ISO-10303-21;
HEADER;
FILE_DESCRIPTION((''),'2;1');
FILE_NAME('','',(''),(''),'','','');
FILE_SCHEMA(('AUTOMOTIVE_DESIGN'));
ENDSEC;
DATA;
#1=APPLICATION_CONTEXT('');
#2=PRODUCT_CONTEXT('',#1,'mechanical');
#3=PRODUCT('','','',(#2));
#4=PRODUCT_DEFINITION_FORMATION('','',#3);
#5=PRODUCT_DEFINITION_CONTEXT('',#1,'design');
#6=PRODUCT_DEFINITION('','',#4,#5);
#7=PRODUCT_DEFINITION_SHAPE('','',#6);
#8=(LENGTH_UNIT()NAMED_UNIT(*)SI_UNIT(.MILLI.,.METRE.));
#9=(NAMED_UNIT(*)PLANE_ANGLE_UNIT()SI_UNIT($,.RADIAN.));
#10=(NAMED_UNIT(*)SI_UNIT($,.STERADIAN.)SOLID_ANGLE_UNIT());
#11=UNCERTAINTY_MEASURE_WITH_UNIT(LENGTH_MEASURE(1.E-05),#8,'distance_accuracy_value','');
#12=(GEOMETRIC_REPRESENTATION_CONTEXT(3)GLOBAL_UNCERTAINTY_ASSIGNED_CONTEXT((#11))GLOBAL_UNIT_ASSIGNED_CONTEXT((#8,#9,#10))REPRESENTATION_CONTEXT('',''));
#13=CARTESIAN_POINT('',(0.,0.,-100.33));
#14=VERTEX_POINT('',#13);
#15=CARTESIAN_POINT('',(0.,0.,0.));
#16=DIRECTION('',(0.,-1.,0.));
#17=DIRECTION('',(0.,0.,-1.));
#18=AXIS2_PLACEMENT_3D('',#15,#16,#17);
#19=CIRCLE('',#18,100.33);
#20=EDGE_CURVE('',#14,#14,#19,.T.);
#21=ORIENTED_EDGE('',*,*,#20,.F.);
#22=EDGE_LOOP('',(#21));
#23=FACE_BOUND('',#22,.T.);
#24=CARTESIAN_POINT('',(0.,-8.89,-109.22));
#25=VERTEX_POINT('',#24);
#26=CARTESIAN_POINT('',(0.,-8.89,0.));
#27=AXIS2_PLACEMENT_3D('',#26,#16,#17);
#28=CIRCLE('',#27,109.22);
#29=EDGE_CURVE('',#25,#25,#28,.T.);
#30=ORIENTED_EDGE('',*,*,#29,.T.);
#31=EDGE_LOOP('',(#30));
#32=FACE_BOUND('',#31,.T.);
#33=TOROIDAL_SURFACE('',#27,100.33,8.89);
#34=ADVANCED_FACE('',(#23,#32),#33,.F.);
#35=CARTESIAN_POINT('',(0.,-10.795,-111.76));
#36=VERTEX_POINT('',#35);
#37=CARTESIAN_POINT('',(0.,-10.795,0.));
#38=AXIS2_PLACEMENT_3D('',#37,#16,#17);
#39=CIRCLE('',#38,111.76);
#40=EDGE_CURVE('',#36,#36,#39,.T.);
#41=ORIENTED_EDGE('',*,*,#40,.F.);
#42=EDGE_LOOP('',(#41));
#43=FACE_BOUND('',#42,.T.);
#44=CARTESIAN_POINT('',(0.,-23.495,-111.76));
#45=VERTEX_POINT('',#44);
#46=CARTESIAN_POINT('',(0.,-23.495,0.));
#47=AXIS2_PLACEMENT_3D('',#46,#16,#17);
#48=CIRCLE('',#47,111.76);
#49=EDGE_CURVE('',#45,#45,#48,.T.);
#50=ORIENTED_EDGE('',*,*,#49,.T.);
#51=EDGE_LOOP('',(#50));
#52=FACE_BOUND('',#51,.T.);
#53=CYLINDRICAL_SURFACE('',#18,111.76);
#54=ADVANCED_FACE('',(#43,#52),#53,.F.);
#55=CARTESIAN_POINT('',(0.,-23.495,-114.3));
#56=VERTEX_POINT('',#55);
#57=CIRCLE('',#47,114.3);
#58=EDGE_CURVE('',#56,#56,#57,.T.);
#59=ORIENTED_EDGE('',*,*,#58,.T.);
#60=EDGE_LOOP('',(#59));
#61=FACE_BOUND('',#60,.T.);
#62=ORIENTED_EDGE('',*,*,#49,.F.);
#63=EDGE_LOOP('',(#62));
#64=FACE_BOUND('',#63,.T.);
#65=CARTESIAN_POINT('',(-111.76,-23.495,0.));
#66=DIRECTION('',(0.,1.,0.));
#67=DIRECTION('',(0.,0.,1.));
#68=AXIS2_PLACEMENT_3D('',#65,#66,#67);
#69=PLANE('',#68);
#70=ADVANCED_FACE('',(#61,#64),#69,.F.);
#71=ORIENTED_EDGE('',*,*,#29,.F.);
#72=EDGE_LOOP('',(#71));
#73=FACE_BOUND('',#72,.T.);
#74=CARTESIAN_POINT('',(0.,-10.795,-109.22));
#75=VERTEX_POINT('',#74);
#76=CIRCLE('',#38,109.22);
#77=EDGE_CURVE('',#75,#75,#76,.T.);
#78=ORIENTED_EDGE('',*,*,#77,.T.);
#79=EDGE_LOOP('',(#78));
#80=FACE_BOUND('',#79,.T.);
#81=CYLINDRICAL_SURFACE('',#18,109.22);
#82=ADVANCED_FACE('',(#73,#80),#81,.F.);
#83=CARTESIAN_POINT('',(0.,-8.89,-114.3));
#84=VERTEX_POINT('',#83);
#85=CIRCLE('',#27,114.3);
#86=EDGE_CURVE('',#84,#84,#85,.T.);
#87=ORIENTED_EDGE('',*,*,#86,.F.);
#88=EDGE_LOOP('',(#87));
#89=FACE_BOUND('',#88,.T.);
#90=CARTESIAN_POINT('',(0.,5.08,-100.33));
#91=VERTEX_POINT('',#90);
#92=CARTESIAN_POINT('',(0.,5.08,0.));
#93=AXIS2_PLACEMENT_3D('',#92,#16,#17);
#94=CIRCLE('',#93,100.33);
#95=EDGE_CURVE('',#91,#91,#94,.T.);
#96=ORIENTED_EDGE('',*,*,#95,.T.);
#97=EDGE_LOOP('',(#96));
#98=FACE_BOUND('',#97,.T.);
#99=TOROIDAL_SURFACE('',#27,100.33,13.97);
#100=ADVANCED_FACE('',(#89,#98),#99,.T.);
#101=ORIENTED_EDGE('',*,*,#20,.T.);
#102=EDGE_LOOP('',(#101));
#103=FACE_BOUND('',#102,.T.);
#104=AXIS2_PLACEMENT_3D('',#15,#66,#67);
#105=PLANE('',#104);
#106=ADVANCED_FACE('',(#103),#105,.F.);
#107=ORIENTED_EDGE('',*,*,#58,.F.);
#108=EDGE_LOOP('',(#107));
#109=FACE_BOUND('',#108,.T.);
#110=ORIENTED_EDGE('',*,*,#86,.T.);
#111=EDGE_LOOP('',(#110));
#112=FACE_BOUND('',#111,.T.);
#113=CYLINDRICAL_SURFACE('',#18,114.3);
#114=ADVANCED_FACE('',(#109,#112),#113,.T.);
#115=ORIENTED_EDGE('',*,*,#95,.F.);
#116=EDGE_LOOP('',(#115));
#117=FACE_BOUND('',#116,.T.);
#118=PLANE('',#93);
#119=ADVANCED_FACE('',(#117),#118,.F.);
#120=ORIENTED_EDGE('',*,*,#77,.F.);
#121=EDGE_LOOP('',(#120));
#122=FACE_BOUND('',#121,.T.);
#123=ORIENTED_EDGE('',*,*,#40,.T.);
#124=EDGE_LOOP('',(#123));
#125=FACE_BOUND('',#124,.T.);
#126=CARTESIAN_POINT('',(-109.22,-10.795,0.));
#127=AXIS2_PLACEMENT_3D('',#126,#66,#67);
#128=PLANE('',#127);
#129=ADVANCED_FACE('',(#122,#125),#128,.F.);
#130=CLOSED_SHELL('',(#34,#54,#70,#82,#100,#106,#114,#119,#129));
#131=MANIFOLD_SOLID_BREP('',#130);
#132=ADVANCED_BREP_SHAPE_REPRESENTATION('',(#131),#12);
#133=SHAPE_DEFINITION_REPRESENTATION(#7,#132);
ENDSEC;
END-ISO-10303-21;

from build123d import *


with BuildPart() as part:
    # Sketch1 → Revolve1 (revolve)
    with BuildSketch(Plane.XY, mode=Mode.PRIVATE) as revolve1_sk:
        with BuildLine():
            Line((0, 0), (-100.33, 0))
            ThreePointArc((-100.33, 0), (-106.616179285, -2.603820715), (-109.22, -8.89))
            Line((-109.22, -8.89), (-109.22, -10.795))
            Line((-109.22, -10.795), (-111.76, -10.795))
            Line((-111.76, -10.795), (-111.76, -23.495))
            Line((-111.76, -23.495), (-114.3, -23.495))
            Line((-114.3, -23.495), (-114.3, -8.89))
            ThreePointArc((-114.3, -8.89), (-110.208281733, 0.988281733), (-100.33, 5.08))
            Line((-100.33, 5.08), (0, 5.08))
            Line((0, 5.08), (0, 0))
        make_face()
    revolve(revolve1_sk.sketch.rotate(Axis((0, 0, 0), (0, 1, 0)), 270), axis=Axis((0, 0, 0), (0, 1, 0)))


solid = part.part
